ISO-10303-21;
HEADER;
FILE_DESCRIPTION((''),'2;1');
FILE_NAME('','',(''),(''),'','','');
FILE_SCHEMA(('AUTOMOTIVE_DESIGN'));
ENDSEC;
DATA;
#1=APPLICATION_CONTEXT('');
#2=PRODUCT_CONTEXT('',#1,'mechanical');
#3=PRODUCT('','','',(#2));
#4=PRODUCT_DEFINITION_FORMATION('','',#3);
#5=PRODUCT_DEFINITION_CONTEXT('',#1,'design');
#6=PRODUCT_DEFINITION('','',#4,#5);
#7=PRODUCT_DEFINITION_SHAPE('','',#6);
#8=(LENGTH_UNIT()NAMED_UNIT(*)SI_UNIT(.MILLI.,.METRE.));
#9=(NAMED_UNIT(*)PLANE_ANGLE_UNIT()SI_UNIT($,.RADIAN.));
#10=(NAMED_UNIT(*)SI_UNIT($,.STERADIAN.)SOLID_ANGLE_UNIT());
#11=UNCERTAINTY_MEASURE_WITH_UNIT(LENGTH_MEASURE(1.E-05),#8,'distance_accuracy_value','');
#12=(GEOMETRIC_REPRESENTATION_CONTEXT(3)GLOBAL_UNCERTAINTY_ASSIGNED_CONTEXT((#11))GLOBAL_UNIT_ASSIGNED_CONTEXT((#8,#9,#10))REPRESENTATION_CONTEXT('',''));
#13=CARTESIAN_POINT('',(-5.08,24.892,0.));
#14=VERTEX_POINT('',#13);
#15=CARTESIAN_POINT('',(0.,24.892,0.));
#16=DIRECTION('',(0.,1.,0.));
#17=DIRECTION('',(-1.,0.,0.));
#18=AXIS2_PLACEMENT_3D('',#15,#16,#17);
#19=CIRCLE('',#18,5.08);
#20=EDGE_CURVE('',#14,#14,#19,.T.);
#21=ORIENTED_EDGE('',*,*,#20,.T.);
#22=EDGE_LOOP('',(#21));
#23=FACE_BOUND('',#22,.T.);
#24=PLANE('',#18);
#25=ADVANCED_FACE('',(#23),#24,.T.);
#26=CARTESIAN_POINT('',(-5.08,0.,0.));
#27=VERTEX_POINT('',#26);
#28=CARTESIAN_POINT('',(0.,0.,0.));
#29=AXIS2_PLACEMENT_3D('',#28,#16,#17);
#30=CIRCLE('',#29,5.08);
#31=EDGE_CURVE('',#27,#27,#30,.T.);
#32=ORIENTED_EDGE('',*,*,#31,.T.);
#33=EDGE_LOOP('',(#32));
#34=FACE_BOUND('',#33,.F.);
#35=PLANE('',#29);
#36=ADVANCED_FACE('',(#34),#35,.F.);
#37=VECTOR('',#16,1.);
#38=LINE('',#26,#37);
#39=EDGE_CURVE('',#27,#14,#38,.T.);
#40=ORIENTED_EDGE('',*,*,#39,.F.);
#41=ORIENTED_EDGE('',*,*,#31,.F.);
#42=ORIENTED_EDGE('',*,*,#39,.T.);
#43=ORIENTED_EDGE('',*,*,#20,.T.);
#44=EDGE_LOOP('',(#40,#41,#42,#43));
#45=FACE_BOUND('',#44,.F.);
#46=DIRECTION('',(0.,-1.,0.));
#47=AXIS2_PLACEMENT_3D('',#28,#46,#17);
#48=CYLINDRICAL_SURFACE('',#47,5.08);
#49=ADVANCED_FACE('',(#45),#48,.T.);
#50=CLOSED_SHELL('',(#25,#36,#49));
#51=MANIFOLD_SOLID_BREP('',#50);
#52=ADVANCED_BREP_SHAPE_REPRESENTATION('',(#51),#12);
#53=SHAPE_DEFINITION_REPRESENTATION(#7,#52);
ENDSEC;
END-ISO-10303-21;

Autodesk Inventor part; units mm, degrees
ref_plane "YZ Plane" through (0, 0, 0) normal (1, 0, 0) x (0, 1, 0)
ref_plane "XZ Plane" through (0, 0, 0) normal (0, 1, 0) x (-1, 0, 0)
ref_plane "XY Plane" through (0, 0, 0) normal (0, 0, 1) x (1, 0, 0)
sketch "Sketch1" plane through (0, 0, 0) normal (0, 1, 0) x (-1, 0, 0)
  circle A0 centre (0, 0) radius 5.08
  dimension "d0" = 10.16
extrude "Extrusion1" add sketch "Sketch1" along normal blind 24.892
properties part number "Pin"
